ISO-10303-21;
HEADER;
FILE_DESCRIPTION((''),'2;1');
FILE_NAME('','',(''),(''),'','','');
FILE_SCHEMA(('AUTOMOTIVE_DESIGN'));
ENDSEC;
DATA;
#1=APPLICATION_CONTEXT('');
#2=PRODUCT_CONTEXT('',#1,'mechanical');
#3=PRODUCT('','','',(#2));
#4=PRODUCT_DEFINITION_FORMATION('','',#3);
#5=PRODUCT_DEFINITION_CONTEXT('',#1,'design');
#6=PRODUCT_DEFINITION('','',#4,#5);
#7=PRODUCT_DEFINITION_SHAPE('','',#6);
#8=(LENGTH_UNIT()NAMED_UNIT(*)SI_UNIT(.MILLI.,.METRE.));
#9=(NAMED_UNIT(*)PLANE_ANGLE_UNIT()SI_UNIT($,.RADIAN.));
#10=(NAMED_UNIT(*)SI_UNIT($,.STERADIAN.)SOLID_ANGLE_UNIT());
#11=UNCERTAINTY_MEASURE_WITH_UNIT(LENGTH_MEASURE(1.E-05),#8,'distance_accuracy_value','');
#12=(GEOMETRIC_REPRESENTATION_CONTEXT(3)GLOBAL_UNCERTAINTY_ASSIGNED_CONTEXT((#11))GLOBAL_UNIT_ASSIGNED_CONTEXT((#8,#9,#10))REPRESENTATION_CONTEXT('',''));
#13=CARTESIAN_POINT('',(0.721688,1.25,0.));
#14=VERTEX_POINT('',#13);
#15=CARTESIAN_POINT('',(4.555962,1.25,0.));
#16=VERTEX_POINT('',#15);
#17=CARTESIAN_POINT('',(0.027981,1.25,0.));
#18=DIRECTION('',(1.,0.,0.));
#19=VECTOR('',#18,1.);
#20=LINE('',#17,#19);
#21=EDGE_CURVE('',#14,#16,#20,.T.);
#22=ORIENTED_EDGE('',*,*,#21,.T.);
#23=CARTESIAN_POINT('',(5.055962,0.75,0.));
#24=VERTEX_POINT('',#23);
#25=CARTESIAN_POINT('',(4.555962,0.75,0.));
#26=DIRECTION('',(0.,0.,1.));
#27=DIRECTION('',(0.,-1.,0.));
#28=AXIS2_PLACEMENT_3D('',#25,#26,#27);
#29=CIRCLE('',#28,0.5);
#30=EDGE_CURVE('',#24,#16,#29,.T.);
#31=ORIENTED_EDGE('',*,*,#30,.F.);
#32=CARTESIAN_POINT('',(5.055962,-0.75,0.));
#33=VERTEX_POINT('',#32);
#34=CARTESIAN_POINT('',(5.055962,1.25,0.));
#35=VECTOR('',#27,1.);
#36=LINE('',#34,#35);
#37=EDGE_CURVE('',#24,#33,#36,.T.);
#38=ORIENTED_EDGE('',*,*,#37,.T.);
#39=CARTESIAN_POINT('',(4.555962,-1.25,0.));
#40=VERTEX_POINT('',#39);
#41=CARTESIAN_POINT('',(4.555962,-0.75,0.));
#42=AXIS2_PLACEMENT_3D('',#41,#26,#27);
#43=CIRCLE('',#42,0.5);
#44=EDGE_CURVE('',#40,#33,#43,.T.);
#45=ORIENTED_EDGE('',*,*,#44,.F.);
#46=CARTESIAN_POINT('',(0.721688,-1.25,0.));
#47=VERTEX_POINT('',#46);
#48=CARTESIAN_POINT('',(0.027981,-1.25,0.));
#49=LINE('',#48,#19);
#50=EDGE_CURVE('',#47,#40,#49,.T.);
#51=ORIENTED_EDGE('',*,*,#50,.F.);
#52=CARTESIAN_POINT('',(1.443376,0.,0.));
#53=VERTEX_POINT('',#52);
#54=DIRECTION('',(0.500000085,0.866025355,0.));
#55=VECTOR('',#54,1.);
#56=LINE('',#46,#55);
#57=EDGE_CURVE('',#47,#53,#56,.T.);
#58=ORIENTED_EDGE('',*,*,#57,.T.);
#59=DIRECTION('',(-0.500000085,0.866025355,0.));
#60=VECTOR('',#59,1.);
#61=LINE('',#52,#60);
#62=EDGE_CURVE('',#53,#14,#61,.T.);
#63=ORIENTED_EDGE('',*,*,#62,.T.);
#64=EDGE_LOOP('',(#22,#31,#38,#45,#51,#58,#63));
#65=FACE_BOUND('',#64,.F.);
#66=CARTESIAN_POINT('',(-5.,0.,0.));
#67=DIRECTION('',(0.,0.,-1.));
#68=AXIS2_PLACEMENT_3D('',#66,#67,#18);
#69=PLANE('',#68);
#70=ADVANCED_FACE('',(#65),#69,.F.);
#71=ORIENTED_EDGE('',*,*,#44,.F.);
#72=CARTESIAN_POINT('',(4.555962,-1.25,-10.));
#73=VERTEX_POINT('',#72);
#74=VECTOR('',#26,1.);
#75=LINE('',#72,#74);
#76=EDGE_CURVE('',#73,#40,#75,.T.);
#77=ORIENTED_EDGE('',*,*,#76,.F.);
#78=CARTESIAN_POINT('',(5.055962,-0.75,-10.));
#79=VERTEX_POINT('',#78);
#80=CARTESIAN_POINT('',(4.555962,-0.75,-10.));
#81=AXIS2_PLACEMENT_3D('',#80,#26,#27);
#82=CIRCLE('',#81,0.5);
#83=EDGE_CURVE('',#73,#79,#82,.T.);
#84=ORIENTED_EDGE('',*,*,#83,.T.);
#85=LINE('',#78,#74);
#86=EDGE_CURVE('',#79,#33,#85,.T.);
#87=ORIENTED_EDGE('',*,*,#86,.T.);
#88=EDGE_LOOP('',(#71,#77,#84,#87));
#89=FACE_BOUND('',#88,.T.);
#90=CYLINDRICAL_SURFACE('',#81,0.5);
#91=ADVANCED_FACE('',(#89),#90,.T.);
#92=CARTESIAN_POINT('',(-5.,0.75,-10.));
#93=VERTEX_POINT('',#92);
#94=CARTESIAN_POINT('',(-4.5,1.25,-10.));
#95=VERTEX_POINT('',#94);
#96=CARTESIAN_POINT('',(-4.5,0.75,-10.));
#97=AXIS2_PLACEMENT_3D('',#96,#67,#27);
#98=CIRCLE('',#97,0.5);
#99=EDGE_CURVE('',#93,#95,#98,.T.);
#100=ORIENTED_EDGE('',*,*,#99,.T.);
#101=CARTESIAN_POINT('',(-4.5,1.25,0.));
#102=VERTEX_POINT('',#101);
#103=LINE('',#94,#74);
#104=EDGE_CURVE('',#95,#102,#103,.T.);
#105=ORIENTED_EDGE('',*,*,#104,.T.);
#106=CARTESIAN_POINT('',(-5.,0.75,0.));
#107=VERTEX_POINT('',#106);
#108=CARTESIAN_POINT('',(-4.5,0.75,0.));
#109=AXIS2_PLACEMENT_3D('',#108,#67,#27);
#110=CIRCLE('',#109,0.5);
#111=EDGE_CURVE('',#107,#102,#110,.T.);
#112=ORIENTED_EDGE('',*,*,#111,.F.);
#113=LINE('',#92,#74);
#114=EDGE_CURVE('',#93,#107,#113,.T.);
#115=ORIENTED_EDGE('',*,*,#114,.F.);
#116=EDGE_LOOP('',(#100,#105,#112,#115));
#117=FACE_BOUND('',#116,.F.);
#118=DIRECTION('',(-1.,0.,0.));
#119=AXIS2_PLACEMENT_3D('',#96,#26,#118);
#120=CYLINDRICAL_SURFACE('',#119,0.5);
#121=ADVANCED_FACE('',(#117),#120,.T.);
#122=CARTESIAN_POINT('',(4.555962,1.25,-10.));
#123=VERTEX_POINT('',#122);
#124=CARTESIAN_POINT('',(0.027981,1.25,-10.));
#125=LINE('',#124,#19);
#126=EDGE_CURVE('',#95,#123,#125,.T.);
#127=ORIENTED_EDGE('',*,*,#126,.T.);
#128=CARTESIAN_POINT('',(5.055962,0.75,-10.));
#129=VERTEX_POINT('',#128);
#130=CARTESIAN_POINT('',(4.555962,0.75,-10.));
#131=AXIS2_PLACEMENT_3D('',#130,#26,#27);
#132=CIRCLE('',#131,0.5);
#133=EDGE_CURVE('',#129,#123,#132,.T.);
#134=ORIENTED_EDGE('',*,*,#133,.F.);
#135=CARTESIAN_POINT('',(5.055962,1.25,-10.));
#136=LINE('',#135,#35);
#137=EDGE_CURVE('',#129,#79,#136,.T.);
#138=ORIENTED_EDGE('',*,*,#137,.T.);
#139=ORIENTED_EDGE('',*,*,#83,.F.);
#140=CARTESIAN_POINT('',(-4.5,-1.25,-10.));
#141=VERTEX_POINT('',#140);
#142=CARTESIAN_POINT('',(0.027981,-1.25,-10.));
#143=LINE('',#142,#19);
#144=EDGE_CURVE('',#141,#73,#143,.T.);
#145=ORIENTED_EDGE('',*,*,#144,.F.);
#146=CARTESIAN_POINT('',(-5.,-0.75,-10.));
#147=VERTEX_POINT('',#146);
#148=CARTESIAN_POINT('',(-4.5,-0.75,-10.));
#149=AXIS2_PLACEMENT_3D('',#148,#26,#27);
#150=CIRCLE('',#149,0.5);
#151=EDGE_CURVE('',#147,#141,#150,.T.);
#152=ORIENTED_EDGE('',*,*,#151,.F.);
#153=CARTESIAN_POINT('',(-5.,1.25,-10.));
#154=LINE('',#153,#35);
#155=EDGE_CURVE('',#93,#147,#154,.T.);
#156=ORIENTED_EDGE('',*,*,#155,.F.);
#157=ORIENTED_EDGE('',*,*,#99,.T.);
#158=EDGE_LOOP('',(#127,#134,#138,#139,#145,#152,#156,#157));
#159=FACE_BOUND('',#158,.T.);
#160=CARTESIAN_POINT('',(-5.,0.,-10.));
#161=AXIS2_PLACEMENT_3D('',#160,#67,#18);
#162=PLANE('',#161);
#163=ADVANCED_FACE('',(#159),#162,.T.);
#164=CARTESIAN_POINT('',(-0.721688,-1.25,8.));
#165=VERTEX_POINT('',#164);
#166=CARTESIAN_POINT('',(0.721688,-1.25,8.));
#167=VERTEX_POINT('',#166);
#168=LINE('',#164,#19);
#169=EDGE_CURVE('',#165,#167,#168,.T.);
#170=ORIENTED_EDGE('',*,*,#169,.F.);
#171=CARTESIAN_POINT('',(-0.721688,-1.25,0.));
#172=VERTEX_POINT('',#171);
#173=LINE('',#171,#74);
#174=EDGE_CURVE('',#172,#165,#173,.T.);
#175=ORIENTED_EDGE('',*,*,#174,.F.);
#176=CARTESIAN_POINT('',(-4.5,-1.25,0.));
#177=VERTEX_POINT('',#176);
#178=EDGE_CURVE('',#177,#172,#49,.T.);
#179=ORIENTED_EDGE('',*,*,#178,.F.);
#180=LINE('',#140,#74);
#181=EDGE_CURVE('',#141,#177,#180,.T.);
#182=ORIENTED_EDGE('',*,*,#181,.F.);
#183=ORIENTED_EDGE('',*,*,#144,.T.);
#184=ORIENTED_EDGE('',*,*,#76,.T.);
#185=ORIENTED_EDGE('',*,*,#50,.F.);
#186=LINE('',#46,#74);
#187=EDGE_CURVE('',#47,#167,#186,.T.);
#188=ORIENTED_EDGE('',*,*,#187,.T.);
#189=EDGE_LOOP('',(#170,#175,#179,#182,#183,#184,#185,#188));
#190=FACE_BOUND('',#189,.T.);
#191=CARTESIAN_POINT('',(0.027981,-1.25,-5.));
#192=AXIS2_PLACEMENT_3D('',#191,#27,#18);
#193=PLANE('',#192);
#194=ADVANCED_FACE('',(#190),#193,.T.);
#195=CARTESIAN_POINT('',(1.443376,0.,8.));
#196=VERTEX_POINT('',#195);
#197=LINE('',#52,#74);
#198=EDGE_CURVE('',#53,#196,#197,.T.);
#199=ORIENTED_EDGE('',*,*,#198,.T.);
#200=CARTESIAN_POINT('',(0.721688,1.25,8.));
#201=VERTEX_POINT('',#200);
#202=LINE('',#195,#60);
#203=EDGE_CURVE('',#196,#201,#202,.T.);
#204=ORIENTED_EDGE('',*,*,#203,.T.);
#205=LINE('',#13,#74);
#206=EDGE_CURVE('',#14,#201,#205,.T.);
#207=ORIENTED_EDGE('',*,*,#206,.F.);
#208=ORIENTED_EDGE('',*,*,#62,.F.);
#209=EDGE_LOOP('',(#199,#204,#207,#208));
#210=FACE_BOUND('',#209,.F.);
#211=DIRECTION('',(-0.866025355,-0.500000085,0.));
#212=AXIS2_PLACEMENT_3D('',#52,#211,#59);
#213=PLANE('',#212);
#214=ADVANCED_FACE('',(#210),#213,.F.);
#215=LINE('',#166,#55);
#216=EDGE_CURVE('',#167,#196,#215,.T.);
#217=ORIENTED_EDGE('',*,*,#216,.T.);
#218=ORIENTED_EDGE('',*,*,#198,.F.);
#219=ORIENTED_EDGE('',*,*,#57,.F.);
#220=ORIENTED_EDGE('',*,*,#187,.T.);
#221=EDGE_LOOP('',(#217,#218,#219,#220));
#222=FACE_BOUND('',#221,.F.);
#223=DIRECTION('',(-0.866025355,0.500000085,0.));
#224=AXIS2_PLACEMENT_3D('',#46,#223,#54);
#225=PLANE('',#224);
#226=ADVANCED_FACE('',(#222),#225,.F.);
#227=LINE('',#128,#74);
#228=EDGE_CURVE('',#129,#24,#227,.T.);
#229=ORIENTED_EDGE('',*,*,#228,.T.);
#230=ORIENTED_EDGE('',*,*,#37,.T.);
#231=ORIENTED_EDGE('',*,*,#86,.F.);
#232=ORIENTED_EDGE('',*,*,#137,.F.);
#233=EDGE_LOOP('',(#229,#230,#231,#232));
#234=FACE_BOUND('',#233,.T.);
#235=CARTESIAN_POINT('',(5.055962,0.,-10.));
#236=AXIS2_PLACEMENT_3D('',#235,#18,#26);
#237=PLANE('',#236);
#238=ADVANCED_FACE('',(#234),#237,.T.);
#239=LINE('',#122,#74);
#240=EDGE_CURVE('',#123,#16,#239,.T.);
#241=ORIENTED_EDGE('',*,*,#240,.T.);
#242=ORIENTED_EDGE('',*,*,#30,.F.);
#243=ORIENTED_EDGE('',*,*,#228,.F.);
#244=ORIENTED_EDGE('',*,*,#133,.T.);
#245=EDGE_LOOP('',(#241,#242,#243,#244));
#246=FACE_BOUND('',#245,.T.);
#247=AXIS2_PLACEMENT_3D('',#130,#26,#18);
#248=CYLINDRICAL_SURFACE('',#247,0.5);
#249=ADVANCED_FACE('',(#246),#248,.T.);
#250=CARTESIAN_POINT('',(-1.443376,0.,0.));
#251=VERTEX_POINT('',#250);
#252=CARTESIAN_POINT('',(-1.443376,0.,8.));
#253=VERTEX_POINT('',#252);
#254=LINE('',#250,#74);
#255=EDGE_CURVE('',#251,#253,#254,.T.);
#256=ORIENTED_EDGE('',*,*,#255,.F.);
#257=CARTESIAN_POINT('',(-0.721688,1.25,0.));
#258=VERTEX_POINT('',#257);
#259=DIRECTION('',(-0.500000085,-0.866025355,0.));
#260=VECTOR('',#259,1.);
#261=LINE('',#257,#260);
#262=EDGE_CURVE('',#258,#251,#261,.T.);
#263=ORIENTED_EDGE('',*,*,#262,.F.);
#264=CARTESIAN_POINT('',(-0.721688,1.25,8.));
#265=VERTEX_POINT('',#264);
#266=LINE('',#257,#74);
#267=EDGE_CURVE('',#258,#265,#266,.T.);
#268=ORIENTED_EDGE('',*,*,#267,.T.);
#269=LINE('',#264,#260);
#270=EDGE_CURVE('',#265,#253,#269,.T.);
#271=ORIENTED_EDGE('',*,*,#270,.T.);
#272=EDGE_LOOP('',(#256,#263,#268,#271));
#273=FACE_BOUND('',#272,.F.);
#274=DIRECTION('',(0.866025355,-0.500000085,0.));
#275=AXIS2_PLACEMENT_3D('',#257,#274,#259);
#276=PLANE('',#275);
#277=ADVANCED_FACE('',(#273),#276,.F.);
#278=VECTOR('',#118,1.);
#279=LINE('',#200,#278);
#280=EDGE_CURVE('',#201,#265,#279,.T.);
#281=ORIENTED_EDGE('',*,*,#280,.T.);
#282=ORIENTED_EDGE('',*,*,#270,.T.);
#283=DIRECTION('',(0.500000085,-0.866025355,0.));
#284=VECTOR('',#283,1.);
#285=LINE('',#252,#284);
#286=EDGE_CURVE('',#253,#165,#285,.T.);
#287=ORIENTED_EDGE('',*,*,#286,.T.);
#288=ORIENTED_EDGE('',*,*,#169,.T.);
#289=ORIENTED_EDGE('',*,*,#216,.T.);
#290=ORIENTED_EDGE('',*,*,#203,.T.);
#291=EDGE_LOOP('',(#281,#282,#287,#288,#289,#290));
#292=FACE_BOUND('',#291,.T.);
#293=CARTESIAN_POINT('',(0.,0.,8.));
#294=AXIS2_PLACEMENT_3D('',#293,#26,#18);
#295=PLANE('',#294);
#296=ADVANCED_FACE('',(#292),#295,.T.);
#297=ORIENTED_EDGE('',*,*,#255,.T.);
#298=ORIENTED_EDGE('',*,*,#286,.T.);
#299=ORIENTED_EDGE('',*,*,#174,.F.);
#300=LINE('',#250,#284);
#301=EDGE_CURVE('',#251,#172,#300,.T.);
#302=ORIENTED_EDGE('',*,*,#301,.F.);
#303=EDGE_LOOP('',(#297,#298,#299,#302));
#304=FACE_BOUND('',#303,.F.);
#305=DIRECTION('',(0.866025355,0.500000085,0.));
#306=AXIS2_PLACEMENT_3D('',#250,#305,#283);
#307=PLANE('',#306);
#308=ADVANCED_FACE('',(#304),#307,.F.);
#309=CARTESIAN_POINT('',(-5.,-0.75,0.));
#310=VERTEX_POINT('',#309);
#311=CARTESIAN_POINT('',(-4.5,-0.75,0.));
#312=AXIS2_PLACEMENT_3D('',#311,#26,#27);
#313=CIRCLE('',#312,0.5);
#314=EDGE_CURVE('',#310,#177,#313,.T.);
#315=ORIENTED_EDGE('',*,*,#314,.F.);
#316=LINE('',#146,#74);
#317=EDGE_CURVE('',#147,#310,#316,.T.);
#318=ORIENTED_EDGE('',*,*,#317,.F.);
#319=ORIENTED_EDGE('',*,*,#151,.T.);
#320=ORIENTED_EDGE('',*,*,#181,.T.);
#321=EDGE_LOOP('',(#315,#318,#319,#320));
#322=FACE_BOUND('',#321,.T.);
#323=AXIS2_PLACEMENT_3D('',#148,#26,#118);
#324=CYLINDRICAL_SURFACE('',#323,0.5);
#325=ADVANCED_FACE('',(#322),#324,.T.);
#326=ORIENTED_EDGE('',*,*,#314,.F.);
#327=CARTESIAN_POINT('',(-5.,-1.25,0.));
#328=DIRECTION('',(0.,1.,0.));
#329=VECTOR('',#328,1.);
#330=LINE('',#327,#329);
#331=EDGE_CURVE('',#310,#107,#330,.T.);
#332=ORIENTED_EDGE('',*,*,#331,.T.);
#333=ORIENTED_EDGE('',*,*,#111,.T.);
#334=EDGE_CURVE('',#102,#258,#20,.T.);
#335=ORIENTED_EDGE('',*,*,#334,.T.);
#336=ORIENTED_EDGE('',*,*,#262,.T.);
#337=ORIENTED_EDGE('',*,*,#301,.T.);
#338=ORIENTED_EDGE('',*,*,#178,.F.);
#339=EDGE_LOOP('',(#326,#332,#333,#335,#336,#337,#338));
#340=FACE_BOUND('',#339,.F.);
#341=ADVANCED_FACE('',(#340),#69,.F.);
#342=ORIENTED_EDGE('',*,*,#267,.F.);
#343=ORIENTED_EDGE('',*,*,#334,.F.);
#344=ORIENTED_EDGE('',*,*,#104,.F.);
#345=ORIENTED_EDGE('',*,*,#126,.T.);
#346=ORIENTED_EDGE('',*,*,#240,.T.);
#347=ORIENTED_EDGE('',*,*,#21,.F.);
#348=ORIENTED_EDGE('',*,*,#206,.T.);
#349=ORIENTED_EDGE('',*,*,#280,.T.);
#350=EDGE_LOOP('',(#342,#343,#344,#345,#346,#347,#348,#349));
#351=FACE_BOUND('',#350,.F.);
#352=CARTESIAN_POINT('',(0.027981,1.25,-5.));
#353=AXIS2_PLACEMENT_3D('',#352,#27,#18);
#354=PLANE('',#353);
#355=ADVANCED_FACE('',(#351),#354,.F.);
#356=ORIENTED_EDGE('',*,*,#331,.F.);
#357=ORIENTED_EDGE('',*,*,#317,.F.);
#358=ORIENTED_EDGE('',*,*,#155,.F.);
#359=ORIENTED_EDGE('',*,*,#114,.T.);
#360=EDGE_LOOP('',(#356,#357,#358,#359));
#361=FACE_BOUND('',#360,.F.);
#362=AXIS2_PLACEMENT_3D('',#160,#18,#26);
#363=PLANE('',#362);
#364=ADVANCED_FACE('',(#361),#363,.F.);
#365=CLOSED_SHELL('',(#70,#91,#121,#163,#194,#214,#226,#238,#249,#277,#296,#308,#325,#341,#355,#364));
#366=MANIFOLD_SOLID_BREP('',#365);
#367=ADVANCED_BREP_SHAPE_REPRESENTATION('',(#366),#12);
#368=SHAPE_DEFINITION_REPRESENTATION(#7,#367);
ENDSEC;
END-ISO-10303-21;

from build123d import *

# Parameters (mm, degrees)
F1_DEPTH      = 8
F2_W          = 10.055962
F2_H          = 10
F3_DEPTH      = 1.25
F3_DEPTH_BACK = 1.25
F4_R          = 0.5


with BuildPart() as f1:
    # F0 (on Top) → F1 (new body)
    with BuildSketch(Plane.XY):
        Polygon((0.721688, 1.25), (-0.721688, 1.25), (-1.443376, 0), (-0.721688, -1.25), (0.721688, -1.25), (1.443376, 0), align=None)
    extrude(amount=F1_DEPTH)

    # F2 (on Front) → F3 (join, two sides)
    with BuildSketch(Plane.XZ) as f3_sk:
        with Locations((0.027981, -5)):
            Rectangle(F2_W, F2_H)
    extrude(amount=F3_DEPTH)
    extrude(f3_sk.sketch, amount=-F3_DEPTH_BACK)

    # F4
    f4_edges = [f1.edges().sort_by_distance(p)[0] for p in [
        (5.055962, -1.25, -5),
        (5.055962, 1.25, -5),
        (-5, -1.25, -5),
        (-5, 1.25, -5),
    ]]
    fillet(f4_edges, radius=F4_R)


solid = f1.part
